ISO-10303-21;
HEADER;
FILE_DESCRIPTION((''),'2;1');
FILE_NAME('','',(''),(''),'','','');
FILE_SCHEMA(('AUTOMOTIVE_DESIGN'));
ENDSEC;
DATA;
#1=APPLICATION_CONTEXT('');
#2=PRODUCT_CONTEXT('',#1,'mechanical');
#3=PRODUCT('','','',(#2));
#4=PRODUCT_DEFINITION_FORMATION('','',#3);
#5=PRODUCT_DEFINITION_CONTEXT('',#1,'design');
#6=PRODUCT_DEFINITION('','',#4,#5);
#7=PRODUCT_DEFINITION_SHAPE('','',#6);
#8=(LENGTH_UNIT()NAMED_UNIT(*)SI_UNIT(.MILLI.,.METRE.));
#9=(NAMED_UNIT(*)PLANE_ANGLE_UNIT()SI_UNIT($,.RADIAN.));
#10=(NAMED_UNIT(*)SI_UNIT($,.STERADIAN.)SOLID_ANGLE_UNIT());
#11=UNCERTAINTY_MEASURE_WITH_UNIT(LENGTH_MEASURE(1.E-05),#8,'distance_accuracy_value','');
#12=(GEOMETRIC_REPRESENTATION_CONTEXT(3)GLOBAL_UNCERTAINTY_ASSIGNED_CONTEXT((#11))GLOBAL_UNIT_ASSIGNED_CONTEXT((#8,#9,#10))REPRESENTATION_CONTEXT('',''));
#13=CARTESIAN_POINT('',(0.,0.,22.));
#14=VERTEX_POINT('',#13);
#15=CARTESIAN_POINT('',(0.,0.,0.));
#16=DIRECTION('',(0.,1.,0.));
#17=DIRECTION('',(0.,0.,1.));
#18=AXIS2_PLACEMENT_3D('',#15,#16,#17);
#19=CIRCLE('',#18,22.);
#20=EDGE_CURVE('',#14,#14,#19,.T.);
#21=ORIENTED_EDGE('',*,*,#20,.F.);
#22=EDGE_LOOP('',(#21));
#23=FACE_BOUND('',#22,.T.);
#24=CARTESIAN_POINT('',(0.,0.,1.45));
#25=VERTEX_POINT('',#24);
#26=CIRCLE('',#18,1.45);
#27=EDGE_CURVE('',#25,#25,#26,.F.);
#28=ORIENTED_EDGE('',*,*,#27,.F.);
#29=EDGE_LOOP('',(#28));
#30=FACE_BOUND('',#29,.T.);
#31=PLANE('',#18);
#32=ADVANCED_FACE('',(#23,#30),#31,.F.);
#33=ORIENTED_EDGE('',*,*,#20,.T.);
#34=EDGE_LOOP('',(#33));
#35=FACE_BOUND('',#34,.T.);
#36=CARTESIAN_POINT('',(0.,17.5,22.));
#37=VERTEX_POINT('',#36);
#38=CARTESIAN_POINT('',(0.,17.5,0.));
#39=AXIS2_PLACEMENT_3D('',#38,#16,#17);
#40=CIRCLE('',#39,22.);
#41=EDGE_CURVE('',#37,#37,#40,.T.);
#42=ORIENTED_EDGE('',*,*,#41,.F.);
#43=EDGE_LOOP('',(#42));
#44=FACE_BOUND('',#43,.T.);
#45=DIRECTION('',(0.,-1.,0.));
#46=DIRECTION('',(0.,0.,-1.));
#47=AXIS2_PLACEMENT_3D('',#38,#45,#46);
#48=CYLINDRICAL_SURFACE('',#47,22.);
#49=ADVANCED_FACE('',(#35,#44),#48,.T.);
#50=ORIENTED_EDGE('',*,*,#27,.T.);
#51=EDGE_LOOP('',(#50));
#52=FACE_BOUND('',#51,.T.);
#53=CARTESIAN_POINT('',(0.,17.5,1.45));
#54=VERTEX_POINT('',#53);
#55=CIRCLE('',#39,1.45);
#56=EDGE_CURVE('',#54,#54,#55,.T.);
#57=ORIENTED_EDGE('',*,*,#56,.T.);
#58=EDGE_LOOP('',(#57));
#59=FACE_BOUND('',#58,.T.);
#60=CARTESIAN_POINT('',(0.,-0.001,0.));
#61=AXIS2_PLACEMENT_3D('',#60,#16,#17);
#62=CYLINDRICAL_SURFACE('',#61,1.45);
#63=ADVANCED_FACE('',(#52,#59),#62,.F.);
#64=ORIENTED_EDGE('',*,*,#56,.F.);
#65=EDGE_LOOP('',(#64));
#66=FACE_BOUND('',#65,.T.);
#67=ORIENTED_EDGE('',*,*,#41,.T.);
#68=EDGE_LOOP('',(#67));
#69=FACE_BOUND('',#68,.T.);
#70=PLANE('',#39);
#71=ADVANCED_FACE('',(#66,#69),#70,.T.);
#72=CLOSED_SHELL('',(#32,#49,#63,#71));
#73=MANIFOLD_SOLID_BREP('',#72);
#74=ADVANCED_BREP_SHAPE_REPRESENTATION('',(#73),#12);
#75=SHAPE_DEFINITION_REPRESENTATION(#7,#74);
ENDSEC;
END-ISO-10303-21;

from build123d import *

# Parameters (mm, degrees)
SKETCH1_R           = 22
BOSS_EXTRUDE1_DEPTH = 17.5
CUT_EXTRUDE1_REACH  = 37.697
SKETCH2_R           = 1.45


with BuildPart() as part:
    # Sketch1 → Boss-Extrude1 (new body)
    with BuildSketch(Plane(origin=(0, 0, 0), x_dir=(1, 0, 0), z_dir=(0, 1, 0))):
        with Locations(Location((0, 0, 0), (0, 0, 270))):
            Circle(SKETCH1_R)
    extrude(amount=BOSS_EXTRUDE1_DEPTH)

    # Sketch2 → Cut-Extrude1 (cut, up to next)
    with BuildSketch(Plane(origin=(0, 17.5, 0), x_dir=(1, 0, 0), z_dir=(0, 1, 0)), mode=Mode.PRIVATE) as cut_extrude1_sk1:
        with Locations(Location((0, 0, 0), (0, 0, 270))):
            Circle(SKETCH2_R)
    cut_extrude1_tool1 = extrude(cut_extrude1_sk1.sketch, amount=-CUT_EXTRUDE1_REACH, mode=Mode.PRIVATE) & part.part
    add(cut_extrude1_tool1.solids().sort_by_distance((0, 17.5, 0))[0], mode=Mode.SUBTRACT)


solid = part.part
